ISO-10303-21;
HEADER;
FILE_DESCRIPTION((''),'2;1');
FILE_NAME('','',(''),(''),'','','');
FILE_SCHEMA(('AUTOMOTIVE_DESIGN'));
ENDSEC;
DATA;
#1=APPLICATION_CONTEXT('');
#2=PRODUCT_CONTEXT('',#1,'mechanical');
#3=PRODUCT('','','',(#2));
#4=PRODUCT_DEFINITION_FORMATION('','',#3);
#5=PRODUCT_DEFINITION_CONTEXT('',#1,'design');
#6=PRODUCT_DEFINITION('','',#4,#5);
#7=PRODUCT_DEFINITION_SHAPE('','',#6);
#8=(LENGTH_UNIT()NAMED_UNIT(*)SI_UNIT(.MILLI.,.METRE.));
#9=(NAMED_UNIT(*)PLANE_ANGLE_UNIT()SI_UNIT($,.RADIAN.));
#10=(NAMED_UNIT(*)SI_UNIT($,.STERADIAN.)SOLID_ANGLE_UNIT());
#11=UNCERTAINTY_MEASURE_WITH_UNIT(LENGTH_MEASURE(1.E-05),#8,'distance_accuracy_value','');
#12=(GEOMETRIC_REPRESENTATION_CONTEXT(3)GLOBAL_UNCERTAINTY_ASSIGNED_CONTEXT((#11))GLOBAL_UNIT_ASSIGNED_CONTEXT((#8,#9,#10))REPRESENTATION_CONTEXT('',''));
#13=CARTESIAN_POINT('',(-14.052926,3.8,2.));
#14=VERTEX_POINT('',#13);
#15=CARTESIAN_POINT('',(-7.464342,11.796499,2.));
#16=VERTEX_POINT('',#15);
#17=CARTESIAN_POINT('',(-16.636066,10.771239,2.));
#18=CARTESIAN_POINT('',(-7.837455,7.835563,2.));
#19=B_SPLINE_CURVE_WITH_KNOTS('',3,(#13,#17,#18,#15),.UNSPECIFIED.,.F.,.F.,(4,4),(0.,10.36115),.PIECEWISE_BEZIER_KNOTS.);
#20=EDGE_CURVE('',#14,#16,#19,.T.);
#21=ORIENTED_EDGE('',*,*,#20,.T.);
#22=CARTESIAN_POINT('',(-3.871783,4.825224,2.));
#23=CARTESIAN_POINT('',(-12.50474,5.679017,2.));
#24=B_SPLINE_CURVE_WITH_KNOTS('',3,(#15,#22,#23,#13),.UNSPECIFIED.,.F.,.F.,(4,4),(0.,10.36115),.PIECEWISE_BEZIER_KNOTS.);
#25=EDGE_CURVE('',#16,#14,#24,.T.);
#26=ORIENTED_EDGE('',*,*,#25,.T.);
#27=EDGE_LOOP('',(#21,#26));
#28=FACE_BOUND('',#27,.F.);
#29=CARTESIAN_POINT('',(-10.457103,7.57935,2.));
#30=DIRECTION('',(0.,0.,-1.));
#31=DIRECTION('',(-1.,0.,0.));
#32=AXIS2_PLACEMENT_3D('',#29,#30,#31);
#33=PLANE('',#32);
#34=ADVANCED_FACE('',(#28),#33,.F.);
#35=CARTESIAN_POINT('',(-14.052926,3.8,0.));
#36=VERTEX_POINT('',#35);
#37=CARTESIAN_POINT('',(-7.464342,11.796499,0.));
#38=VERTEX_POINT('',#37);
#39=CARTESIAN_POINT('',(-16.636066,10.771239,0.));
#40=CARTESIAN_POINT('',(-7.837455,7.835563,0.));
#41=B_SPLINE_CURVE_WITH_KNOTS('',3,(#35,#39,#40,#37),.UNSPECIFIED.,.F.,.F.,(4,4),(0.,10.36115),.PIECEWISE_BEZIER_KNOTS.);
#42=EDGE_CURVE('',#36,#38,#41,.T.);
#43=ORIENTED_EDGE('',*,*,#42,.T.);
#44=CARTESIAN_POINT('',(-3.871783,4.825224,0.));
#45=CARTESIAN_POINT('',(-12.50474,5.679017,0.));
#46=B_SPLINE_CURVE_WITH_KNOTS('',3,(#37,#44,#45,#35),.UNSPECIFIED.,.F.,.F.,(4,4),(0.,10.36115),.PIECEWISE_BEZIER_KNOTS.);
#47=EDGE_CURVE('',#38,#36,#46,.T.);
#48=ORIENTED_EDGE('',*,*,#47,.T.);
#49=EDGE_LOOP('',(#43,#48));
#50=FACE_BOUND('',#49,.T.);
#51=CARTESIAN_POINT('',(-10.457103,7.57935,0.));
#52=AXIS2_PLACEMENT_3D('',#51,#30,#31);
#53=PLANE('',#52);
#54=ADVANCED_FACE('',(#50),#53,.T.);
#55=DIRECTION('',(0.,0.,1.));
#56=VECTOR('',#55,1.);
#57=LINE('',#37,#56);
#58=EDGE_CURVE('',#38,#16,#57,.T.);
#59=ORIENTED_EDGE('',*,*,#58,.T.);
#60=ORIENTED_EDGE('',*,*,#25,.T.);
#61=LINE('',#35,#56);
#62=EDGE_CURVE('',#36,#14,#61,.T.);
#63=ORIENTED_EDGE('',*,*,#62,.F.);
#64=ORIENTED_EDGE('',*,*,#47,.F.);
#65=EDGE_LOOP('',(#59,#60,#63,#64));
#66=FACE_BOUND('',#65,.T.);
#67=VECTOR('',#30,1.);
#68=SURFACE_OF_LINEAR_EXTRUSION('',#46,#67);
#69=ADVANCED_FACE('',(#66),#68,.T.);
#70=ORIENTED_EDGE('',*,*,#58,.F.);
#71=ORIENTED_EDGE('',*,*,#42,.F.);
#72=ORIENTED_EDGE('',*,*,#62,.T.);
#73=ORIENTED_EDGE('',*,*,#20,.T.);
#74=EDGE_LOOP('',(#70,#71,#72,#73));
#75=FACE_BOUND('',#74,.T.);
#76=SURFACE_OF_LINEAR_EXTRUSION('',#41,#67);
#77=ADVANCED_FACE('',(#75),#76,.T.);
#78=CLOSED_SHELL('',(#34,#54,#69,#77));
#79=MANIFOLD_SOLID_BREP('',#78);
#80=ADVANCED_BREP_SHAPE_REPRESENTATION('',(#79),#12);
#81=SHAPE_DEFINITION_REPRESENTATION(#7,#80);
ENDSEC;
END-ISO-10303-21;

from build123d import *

# Parameters (mm, degrees)
F1_DEPTH = 2


with BuildPart() as f1:
    # F0 (on Top) → F1 (new body)
    with BuildSketch(Plane.XY):
        with BuildLine():
            add(Edge.make_bspline(
                [(-14.052926, 3.8), (-16.636066, 10.771239), (-7.837455, 7.835563), (-7.464342, 11.796499)],
                knots=[0, 0, 0, 0, 10.36115, 10.36115, 10.36115, 10.36115], degree=3))
            add(Edge.make_bspline(
                [(-7.464342, 11.796499), (-3.871783, 4.825224), (-12.50474, 5.679017), (-14.052926, 3.8)],
                knots=[0, 0, 0, 0, 10.36115, 10.36115, 10.36115, 10.36115], degree=3))
        make_face()
    extrude(amount=F1_DEPTH)


solid = f1.part
